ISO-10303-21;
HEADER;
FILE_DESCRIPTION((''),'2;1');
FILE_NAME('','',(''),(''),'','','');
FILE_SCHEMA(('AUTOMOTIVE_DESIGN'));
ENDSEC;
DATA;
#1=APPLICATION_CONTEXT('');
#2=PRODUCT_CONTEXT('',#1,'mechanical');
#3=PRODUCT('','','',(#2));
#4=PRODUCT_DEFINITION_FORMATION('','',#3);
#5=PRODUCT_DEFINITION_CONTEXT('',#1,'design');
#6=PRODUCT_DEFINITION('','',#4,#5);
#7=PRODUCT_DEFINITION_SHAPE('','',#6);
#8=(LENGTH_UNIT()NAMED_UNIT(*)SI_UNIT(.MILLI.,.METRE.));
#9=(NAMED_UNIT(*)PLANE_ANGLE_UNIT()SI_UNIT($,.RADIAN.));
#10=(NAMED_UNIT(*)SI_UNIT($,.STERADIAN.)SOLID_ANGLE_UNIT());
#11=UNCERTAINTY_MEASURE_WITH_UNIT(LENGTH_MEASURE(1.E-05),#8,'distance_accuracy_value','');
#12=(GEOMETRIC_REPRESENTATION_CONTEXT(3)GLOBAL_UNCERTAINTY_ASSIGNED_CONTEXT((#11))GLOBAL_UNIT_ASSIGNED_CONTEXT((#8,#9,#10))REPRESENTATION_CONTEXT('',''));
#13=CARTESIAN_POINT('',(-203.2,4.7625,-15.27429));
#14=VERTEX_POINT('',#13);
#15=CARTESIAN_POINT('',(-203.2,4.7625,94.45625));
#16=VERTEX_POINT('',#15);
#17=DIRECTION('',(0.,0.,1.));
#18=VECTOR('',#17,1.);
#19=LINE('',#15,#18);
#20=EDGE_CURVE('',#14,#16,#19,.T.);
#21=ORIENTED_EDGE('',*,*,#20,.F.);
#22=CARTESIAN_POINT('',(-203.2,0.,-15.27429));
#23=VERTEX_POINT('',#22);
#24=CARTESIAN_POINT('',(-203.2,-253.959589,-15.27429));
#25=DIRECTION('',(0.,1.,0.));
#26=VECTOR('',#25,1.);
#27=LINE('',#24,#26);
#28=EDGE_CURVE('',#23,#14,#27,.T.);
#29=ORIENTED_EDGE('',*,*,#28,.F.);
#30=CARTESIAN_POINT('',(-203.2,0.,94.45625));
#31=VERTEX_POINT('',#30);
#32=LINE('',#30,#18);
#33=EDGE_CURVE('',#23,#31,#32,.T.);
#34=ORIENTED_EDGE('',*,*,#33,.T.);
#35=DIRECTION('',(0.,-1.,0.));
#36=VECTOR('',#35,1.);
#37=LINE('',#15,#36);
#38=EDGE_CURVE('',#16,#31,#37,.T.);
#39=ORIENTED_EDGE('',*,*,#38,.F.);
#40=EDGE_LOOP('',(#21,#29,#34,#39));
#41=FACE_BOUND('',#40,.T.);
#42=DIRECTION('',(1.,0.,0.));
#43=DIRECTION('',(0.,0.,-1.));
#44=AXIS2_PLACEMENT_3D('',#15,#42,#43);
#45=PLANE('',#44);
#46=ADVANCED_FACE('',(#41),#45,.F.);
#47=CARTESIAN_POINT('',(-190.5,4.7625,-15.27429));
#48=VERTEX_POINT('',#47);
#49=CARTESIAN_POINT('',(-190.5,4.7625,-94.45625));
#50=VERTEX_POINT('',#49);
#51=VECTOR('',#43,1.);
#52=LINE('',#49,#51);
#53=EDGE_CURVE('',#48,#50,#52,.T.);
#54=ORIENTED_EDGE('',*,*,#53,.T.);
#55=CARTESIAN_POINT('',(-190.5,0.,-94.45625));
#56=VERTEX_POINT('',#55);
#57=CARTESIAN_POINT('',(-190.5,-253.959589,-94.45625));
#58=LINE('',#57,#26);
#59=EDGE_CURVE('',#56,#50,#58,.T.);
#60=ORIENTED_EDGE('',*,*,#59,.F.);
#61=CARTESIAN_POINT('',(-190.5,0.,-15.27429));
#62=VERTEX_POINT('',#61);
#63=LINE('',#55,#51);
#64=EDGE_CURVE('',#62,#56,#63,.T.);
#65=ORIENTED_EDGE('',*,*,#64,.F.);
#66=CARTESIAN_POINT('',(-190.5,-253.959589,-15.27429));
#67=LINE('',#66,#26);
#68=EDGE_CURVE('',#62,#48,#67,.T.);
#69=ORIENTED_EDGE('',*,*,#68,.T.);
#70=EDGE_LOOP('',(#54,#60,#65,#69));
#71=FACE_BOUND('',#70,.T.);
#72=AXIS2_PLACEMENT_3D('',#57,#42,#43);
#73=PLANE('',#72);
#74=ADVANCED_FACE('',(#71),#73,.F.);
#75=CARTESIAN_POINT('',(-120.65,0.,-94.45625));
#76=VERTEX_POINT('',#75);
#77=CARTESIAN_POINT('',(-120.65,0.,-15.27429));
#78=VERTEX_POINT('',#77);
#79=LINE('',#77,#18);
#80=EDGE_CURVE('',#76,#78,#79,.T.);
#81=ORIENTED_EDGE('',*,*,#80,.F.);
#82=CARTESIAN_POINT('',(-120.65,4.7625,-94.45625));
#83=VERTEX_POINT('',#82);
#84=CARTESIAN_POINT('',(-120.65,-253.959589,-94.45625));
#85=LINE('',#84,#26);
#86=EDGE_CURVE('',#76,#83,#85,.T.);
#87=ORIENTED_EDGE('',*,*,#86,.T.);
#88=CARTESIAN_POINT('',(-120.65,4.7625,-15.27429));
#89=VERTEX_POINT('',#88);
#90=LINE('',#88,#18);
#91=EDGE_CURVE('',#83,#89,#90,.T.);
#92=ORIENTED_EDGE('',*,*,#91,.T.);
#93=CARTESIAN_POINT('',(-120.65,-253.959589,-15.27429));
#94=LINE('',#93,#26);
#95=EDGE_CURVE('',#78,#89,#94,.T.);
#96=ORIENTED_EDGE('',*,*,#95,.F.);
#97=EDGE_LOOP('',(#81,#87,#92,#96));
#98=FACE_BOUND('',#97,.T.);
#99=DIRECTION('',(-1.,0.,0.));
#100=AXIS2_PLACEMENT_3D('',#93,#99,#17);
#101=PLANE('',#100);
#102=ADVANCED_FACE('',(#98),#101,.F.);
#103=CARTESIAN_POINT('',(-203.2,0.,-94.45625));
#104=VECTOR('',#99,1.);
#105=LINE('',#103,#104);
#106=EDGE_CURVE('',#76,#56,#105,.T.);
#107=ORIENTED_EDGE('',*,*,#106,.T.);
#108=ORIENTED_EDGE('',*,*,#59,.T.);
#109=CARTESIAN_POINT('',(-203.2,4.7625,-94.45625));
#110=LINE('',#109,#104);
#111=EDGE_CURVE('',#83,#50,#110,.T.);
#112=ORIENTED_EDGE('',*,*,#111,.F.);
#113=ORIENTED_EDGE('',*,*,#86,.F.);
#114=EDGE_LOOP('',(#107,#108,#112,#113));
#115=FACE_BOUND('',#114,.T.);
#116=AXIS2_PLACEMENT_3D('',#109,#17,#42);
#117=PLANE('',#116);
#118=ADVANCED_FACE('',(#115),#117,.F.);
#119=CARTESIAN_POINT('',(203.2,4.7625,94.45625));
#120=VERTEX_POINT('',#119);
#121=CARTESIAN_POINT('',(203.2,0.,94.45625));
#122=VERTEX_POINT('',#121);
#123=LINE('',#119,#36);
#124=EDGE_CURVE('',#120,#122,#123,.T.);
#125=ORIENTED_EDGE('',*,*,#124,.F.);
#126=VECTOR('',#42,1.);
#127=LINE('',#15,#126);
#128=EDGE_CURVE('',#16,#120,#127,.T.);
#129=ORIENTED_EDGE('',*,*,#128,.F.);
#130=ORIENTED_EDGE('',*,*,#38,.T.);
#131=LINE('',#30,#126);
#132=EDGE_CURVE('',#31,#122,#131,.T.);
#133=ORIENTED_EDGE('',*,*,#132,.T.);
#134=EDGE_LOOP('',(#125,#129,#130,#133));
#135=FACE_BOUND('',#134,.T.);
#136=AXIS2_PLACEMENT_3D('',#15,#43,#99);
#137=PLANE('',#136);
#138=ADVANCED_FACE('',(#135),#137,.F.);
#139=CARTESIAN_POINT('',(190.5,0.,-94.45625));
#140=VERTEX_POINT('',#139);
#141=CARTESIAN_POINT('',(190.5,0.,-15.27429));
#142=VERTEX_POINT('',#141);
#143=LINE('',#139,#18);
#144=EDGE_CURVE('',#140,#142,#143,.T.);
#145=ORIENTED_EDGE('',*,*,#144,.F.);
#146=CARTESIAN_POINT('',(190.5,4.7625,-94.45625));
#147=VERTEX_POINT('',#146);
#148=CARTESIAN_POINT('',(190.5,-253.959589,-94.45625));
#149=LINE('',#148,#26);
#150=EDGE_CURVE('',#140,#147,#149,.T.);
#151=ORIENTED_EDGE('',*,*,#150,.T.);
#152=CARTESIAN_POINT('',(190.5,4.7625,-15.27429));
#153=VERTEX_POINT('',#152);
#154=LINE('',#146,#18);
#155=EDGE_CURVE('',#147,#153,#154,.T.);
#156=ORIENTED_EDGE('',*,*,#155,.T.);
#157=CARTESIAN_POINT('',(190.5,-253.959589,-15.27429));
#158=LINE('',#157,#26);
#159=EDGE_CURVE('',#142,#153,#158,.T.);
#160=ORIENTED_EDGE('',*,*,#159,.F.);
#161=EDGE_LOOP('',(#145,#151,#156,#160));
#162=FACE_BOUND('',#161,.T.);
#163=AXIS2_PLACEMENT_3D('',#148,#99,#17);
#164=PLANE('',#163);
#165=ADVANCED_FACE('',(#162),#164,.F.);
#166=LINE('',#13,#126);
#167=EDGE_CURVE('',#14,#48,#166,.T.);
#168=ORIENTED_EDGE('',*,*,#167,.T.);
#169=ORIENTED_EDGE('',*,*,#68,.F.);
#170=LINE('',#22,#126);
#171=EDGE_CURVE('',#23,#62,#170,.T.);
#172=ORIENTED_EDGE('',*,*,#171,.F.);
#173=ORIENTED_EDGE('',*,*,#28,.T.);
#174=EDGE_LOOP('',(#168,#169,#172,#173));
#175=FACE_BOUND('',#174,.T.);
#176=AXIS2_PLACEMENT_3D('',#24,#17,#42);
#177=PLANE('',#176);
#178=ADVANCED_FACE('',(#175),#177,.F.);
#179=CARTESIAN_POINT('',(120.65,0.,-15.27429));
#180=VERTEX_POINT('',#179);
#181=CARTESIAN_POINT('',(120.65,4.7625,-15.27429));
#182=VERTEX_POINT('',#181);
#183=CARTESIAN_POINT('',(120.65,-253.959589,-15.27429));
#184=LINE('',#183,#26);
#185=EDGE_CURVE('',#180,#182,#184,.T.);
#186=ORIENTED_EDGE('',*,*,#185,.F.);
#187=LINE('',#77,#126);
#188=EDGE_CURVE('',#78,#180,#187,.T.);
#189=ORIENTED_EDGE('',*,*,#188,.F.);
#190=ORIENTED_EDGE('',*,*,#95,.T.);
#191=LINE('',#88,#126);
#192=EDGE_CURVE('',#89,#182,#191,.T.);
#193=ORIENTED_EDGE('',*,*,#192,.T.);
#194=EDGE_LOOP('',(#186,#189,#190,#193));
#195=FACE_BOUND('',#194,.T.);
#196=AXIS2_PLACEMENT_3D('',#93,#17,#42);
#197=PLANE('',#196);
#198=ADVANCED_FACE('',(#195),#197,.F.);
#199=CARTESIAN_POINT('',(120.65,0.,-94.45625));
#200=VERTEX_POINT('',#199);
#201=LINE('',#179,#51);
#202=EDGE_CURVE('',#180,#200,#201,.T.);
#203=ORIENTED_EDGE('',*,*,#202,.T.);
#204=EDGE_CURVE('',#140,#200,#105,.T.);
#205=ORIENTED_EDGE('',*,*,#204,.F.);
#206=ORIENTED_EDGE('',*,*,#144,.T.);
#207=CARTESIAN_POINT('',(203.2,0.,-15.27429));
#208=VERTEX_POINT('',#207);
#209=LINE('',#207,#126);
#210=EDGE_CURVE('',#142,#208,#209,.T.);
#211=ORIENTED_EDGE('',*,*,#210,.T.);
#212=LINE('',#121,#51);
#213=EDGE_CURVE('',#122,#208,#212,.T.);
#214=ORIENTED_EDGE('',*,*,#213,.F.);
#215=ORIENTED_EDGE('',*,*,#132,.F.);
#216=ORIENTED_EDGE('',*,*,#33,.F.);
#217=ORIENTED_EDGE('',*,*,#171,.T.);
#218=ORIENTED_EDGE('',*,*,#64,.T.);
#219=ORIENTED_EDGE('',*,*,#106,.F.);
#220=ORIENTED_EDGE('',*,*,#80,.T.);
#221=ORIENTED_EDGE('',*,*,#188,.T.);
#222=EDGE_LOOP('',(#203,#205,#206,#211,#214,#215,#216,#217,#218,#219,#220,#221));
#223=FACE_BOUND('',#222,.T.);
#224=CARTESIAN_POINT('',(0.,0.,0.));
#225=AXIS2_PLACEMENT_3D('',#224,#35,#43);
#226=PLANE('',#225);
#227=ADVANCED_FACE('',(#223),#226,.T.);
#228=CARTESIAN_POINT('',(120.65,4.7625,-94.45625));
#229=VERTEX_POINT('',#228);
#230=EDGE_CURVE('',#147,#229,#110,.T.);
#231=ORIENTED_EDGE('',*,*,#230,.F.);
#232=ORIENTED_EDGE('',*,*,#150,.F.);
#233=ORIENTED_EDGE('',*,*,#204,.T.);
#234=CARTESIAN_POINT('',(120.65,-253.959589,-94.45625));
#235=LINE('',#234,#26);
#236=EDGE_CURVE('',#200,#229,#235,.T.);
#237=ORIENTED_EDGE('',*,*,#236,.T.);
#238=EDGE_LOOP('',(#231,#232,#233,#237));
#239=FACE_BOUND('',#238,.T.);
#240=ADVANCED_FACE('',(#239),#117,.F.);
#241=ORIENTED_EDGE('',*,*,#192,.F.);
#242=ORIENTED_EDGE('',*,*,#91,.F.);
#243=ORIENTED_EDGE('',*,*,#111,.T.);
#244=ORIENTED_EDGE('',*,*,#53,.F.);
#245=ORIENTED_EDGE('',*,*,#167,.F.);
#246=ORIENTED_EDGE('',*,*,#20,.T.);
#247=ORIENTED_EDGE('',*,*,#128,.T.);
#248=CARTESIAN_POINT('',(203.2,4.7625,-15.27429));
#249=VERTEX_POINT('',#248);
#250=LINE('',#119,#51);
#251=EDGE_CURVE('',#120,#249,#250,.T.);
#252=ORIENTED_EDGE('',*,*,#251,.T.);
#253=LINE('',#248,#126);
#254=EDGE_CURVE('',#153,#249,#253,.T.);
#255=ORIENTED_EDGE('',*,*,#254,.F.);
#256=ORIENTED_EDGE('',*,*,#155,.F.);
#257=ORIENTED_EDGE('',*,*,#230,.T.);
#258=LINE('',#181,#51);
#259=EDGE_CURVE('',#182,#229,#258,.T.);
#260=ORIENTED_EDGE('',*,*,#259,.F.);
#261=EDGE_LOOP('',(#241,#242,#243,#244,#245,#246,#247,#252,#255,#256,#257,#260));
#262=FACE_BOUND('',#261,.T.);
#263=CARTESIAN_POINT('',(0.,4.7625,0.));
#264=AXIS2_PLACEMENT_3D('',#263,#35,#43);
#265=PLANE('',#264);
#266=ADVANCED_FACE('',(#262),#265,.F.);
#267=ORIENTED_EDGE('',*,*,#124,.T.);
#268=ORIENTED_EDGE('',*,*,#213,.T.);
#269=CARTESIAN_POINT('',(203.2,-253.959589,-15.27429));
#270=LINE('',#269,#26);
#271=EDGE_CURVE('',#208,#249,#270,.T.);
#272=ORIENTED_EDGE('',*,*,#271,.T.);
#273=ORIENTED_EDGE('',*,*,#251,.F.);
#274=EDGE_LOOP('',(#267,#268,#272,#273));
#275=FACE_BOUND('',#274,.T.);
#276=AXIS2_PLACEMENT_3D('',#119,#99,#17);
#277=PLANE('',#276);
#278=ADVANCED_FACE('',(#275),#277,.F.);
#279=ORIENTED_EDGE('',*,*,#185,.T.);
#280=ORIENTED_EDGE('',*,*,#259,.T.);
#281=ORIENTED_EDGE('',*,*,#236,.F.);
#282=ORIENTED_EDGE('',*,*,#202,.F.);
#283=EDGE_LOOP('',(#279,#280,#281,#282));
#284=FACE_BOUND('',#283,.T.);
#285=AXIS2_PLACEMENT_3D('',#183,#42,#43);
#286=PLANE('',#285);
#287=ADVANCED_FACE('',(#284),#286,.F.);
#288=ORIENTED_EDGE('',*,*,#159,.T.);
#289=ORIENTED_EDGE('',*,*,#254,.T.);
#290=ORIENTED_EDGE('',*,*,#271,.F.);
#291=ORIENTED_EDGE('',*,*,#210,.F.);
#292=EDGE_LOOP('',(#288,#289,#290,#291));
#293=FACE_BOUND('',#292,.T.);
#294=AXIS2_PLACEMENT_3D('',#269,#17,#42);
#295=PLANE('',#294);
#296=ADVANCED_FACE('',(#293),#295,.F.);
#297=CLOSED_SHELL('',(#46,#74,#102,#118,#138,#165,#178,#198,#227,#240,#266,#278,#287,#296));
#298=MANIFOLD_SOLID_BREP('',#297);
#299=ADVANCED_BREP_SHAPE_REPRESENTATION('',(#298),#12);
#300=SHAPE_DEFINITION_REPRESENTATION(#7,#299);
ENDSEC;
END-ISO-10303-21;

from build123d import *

# Parameters (mm, degrees)
SKETCH1_W           = 406.4
SKETCH1_H           = 188.9125
BOSS_EXTRUDE1_DEPTH = 4.7625
SKETCH2_W           = 12.7
SKETCH2_H           = 79.18196
SKETCH2_W_2         = 241.3
CUT_EXTRUDE1_DEPTH  = 4.7625


with BuildPart() as part:
    # Sketch1 → Boss-Extrude1 (new body)
    with BuildSketch(Plane(origin=(0, 0, 0), x_dir=(1, 0, 0), z_dir=(0, 1, 0))):
        Rectangle(SKETCH1_W, SKETCH1_H)
    extrude(amount=BOSS_EXTRUDE1_DEPTH)

    # Sketch2 → Cut-Extrude1 (cut)
    with BuildSketch(Plane(origin=(0, 4.7625, 0), x_dir=(1, 0, 0), z_dir=(0, 1, 0))):
        with Locations((-196.85, 54.86527)):
            Rectangle(SKETCH2_W, SKETCH2_H)
        with Locations((196.85, 54.86527)):
            Rectangle(SKETCH2_W, SKETCH2_H)
        with Locations((0, 54.86527)):
            Rectangle(SKETCH2_W_2, SKETCH2_H)
    extrude(amount=-CUT_EXTRUDE1_DEPTH, mode=Mode.SUBTRACT)


solid = part.part
